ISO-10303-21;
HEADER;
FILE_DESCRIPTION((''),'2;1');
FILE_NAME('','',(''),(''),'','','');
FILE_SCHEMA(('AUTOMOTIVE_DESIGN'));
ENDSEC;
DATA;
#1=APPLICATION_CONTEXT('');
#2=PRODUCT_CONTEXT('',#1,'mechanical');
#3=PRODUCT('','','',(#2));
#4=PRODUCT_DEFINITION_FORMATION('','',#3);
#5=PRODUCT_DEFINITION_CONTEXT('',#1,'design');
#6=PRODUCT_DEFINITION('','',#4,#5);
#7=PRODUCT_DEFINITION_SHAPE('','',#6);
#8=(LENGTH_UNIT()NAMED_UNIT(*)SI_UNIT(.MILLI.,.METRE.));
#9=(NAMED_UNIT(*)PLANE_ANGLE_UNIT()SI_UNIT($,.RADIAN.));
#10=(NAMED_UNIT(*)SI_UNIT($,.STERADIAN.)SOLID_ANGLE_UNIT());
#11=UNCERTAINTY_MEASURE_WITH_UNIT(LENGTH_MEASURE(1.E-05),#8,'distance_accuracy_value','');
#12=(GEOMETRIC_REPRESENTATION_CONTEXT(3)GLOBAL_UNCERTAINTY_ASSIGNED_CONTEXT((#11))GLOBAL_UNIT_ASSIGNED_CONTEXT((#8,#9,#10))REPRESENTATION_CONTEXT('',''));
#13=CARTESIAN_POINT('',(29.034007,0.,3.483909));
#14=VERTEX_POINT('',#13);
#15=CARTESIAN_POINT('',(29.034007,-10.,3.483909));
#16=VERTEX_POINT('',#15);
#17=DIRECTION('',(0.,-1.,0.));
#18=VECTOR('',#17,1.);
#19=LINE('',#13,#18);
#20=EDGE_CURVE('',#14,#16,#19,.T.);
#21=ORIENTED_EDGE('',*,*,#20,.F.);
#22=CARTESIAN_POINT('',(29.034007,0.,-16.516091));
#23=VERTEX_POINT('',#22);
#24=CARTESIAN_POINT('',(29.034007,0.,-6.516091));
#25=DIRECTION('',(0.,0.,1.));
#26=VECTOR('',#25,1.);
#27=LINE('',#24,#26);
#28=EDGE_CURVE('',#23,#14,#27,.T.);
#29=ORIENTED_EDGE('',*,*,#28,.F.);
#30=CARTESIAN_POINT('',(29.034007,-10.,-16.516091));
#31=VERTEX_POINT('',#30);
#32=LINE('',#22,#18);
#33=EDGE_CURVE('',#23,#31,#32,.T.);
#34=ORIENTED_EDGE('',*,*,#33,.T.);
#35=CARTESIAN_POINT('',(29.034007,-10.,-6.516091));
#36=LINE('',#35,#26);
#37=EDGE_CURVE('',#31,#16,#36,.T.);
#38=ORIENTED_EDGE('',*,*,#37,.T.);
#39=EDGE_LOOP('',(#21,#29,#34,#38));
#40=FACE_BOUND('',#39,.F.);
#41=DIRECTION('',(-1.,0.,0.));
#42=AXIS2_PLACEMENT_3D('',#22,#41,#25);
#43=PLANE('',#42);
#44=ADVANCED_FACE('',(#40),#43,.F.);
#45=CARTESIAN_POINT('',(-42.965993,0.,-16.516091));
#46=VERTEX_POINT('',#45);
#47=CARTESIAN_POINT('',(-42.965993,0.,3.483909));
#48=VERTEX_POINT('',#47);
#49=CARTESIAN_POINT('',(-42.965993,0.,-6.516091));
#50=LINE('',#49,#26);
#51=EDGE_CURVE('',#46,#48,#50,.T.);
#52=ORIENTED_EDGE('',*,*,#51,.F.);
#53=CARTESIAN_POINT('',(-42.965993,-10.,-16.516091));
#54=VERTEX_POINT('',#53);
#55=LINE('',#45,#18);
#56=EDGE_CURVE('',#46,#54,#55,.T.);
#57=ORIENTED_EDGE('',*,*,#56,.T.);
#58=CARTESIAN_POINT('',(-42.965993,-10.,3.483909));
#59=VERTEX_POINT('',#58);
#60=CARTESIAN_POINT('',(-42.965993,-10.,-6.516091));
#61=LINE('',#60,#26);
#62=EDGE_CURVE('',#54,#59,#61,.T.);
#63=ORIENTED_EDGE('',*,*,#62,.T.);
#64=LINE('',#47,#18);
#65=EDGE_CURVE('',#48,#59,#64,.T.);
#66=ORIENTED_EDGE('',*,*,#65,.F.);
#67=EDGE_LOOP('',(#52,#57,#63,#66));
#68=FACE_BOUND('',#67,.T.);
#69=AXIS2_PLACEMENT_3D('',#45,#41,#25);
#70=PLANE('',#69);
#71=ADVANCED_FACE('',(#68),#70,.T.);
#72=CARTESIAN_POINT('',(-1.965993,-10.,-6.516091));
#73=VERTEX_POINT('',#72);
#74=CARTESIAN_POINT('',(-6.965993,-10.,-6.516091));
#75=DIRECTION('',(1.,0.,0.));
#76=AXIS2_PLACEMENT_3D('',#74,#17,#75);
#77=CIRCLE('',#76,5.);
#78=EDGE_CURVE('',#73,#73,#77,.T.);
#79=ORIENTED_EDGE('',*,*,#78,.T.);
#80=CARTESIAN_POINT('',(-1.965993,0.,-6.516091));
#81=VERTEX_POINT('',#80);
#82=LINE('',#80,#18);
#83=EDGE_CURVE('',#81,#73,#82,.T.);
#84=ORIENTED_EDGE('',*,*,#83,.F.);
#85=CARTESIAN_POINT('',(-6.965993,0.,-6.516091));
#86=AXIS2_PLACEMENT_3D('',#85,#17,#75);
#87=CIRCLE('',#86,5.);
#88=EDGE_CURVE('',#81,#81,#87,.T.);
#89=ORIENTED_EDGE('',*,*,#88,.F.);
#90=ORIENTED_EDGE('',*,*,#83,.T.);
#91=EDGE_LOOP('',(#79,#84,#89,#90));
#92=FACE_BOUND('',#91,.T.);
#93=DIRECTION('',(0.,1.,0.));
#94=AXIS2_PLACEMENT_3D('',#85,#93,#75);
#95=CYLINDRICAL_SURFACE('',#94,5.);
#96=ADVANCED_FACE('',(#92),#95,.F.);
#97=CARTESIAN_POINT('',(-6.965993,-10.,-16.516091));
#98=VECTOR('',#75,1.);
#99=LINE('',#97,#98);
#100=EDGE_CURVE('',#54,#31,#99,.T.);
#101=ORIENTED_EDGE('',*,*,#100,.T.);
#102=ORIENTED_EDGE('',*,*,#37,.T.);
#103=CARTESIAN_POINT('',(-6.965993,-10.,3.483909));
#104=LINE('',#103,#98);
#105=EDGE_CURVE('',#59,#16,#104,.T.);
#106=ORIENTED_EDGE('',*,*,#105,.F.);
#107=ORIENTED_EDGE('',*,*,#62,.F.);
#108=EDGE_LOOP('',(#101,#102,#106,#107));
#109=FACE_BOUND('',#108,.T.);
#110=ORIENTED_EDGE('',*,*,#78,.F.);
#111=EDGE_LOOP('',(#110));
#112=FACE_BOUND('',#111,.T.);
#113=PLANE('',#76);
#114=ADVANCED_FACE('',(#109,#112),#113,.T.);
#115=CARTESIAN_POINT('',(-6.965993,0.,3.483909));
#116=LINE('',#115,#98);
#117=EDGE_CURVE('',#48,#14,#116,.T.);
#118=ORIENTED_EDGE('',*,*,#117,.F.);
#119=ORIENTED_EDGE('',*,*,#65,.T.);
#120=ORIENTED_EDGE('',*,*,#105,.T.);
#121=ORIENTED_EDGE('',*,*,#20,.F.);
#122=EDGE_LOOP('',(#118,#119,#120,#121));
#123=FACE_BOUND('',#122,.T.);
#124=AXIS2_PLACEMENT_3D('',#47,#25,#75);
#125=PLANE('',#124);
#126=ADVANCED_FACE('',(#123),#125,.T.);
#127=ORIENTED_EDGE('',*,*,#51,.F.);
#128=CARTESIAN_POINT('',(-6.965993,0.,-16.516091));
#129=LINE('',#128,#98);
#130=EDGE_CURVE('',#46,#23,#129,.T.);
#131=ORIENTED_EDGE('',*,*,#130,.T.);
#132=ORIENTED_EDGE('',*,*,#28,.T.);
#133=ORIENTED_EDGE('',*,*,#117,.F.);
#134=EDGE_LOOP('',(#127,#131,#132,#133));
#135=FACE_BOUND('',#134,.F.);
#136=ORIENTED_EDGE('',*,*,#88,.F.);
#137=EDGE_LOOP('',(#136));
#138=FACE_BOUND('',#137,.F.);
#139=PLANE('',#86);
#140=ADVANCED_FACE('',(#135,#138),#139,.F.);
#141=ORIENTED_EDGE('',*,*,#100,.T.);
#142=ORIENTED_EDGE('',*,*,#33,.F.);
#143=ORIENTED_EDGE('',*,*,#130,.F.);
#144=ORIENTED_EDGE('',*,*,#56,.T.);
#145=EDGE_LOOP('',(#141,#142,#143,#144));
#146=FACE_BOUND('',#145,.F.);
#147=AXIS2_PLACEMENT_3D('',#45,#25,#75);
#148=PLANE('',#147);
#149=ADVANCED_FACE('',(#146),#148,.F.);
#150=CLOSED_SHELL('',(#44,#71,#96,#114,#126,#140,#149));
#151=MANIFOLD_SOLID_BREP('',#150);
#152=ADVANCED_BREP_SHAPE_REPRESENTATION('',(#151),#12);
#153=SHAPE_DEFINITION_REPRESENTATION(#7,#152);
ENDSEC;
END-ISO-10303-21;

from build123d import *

# Parameters (mm, degrees)
F0_W     = 72
F0_H     = 20
F0_R     = 5
F1_DEPTH = 10


with BuildPart() as f1:
    # F0 (on Front) → F1 (new body)
    with BuildSketch(Plane.XZ):
        with Locations((-6.965993, -6.516091)):
            Rectangle(F0_W, F0_H)
        with Locations((-6.965993, -6.516091)):
            Circle(F0_R, mode=Mode.SUBTRACT)
    extrude(amount=F1_DEPTH)


solid = f1.part
